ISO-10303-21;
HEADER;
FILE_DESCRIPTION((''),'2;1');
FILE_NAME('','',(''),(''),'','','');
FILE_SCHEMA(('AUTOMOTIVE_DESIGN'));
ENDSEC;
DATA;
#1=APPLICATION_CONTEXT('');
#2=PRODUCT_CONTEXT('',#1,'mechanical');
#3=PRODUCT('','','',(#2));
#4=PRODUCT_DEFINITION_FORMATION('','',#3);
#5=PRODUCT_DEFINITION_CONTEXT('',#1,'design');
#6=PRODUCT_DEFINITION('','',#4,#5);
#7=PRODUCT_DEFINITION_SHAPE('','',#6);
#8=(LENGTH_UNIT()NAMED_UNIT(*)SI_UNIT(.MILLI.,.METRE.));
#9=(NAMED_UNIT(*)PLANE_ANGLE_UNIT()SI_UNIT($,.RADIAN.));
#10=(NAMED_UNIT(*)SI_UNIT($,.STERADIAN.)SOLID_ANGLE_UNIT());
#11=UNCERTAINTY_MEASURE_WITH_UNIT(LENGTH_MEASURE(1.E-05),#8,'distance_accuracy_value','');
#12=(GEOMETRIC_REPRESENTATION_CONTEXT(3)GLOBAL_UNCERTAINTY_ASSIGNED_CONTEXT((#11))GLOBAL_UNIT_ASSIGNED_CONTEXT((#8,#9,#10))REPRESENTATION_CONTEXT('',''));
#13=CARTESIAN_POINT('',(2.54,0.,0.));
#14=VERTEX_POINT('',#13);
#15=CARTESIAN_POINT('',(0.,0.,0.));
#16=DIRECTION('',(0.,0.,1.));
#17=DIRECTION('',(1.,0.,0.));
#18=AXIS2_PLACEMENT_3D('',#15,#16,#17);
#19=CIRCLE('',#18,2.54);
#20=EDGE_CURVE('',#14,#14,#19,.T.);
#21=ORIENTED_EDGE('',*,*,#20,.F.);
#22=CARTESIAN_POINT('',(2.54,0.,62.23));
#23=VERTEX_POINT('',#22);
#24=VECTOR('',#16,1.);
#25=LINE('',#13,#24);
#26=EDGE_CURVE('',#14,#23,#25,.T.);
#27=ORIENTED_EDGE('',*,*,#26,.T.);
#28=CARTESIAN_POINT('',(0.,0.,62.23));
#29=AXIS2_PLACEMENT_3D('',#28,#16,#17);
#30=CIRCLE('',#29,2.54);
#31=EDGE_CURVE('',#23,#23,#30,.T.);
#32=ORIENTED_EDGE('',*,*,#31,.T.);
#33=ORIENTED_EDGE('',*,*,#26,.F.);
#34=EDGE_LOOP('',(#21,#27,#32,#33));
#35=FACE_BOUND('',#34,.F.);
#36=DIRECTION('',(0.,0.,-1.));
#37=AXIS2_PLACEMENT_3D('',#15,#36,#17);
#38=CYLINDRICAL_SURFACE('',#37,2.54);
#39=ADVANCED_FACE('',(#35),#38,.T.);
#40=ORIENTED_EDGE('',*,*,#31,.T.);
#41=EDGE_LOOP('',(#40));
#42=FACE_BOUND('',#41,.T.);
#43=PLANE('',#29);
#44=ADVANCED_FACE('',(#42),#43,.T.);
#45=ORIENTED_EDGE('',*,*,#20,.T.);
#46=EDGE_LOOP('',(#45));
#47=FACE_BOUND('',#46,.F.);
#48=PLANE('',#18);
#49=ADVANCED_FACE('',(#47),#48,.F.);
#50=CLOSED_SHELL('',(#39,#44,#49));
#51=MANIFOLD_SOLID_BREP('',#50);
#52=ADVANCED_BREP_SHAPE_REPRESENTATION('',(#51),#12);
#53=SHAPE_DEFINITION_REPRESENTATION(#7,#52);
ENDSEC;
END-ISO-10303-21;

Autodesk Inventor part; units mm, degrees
ref_plane "YZ Plane" through (0, 0, 0) normal (1, 0, 0) x (0, 1, 0)
ref_plane "XZ Plane" through (0, 0, 0) normal (0, 1, 0) x (-1, 0, 0)
ref_plane "XY Plane" through (0, 0, 0) normal (0, 0, 1) x (1, 0, 0)
sketch "Sketch1" plane through (0, 0, 0) normal (0, 0, 1) x (1, 0, 0)
  circle A0 centre (0, 0) radius 2.54
  dimension "d0" = 5.08
extrude "Extrusion1" add sketch "Sketch1" along normal blind 62.23
properties part number "Peg"
